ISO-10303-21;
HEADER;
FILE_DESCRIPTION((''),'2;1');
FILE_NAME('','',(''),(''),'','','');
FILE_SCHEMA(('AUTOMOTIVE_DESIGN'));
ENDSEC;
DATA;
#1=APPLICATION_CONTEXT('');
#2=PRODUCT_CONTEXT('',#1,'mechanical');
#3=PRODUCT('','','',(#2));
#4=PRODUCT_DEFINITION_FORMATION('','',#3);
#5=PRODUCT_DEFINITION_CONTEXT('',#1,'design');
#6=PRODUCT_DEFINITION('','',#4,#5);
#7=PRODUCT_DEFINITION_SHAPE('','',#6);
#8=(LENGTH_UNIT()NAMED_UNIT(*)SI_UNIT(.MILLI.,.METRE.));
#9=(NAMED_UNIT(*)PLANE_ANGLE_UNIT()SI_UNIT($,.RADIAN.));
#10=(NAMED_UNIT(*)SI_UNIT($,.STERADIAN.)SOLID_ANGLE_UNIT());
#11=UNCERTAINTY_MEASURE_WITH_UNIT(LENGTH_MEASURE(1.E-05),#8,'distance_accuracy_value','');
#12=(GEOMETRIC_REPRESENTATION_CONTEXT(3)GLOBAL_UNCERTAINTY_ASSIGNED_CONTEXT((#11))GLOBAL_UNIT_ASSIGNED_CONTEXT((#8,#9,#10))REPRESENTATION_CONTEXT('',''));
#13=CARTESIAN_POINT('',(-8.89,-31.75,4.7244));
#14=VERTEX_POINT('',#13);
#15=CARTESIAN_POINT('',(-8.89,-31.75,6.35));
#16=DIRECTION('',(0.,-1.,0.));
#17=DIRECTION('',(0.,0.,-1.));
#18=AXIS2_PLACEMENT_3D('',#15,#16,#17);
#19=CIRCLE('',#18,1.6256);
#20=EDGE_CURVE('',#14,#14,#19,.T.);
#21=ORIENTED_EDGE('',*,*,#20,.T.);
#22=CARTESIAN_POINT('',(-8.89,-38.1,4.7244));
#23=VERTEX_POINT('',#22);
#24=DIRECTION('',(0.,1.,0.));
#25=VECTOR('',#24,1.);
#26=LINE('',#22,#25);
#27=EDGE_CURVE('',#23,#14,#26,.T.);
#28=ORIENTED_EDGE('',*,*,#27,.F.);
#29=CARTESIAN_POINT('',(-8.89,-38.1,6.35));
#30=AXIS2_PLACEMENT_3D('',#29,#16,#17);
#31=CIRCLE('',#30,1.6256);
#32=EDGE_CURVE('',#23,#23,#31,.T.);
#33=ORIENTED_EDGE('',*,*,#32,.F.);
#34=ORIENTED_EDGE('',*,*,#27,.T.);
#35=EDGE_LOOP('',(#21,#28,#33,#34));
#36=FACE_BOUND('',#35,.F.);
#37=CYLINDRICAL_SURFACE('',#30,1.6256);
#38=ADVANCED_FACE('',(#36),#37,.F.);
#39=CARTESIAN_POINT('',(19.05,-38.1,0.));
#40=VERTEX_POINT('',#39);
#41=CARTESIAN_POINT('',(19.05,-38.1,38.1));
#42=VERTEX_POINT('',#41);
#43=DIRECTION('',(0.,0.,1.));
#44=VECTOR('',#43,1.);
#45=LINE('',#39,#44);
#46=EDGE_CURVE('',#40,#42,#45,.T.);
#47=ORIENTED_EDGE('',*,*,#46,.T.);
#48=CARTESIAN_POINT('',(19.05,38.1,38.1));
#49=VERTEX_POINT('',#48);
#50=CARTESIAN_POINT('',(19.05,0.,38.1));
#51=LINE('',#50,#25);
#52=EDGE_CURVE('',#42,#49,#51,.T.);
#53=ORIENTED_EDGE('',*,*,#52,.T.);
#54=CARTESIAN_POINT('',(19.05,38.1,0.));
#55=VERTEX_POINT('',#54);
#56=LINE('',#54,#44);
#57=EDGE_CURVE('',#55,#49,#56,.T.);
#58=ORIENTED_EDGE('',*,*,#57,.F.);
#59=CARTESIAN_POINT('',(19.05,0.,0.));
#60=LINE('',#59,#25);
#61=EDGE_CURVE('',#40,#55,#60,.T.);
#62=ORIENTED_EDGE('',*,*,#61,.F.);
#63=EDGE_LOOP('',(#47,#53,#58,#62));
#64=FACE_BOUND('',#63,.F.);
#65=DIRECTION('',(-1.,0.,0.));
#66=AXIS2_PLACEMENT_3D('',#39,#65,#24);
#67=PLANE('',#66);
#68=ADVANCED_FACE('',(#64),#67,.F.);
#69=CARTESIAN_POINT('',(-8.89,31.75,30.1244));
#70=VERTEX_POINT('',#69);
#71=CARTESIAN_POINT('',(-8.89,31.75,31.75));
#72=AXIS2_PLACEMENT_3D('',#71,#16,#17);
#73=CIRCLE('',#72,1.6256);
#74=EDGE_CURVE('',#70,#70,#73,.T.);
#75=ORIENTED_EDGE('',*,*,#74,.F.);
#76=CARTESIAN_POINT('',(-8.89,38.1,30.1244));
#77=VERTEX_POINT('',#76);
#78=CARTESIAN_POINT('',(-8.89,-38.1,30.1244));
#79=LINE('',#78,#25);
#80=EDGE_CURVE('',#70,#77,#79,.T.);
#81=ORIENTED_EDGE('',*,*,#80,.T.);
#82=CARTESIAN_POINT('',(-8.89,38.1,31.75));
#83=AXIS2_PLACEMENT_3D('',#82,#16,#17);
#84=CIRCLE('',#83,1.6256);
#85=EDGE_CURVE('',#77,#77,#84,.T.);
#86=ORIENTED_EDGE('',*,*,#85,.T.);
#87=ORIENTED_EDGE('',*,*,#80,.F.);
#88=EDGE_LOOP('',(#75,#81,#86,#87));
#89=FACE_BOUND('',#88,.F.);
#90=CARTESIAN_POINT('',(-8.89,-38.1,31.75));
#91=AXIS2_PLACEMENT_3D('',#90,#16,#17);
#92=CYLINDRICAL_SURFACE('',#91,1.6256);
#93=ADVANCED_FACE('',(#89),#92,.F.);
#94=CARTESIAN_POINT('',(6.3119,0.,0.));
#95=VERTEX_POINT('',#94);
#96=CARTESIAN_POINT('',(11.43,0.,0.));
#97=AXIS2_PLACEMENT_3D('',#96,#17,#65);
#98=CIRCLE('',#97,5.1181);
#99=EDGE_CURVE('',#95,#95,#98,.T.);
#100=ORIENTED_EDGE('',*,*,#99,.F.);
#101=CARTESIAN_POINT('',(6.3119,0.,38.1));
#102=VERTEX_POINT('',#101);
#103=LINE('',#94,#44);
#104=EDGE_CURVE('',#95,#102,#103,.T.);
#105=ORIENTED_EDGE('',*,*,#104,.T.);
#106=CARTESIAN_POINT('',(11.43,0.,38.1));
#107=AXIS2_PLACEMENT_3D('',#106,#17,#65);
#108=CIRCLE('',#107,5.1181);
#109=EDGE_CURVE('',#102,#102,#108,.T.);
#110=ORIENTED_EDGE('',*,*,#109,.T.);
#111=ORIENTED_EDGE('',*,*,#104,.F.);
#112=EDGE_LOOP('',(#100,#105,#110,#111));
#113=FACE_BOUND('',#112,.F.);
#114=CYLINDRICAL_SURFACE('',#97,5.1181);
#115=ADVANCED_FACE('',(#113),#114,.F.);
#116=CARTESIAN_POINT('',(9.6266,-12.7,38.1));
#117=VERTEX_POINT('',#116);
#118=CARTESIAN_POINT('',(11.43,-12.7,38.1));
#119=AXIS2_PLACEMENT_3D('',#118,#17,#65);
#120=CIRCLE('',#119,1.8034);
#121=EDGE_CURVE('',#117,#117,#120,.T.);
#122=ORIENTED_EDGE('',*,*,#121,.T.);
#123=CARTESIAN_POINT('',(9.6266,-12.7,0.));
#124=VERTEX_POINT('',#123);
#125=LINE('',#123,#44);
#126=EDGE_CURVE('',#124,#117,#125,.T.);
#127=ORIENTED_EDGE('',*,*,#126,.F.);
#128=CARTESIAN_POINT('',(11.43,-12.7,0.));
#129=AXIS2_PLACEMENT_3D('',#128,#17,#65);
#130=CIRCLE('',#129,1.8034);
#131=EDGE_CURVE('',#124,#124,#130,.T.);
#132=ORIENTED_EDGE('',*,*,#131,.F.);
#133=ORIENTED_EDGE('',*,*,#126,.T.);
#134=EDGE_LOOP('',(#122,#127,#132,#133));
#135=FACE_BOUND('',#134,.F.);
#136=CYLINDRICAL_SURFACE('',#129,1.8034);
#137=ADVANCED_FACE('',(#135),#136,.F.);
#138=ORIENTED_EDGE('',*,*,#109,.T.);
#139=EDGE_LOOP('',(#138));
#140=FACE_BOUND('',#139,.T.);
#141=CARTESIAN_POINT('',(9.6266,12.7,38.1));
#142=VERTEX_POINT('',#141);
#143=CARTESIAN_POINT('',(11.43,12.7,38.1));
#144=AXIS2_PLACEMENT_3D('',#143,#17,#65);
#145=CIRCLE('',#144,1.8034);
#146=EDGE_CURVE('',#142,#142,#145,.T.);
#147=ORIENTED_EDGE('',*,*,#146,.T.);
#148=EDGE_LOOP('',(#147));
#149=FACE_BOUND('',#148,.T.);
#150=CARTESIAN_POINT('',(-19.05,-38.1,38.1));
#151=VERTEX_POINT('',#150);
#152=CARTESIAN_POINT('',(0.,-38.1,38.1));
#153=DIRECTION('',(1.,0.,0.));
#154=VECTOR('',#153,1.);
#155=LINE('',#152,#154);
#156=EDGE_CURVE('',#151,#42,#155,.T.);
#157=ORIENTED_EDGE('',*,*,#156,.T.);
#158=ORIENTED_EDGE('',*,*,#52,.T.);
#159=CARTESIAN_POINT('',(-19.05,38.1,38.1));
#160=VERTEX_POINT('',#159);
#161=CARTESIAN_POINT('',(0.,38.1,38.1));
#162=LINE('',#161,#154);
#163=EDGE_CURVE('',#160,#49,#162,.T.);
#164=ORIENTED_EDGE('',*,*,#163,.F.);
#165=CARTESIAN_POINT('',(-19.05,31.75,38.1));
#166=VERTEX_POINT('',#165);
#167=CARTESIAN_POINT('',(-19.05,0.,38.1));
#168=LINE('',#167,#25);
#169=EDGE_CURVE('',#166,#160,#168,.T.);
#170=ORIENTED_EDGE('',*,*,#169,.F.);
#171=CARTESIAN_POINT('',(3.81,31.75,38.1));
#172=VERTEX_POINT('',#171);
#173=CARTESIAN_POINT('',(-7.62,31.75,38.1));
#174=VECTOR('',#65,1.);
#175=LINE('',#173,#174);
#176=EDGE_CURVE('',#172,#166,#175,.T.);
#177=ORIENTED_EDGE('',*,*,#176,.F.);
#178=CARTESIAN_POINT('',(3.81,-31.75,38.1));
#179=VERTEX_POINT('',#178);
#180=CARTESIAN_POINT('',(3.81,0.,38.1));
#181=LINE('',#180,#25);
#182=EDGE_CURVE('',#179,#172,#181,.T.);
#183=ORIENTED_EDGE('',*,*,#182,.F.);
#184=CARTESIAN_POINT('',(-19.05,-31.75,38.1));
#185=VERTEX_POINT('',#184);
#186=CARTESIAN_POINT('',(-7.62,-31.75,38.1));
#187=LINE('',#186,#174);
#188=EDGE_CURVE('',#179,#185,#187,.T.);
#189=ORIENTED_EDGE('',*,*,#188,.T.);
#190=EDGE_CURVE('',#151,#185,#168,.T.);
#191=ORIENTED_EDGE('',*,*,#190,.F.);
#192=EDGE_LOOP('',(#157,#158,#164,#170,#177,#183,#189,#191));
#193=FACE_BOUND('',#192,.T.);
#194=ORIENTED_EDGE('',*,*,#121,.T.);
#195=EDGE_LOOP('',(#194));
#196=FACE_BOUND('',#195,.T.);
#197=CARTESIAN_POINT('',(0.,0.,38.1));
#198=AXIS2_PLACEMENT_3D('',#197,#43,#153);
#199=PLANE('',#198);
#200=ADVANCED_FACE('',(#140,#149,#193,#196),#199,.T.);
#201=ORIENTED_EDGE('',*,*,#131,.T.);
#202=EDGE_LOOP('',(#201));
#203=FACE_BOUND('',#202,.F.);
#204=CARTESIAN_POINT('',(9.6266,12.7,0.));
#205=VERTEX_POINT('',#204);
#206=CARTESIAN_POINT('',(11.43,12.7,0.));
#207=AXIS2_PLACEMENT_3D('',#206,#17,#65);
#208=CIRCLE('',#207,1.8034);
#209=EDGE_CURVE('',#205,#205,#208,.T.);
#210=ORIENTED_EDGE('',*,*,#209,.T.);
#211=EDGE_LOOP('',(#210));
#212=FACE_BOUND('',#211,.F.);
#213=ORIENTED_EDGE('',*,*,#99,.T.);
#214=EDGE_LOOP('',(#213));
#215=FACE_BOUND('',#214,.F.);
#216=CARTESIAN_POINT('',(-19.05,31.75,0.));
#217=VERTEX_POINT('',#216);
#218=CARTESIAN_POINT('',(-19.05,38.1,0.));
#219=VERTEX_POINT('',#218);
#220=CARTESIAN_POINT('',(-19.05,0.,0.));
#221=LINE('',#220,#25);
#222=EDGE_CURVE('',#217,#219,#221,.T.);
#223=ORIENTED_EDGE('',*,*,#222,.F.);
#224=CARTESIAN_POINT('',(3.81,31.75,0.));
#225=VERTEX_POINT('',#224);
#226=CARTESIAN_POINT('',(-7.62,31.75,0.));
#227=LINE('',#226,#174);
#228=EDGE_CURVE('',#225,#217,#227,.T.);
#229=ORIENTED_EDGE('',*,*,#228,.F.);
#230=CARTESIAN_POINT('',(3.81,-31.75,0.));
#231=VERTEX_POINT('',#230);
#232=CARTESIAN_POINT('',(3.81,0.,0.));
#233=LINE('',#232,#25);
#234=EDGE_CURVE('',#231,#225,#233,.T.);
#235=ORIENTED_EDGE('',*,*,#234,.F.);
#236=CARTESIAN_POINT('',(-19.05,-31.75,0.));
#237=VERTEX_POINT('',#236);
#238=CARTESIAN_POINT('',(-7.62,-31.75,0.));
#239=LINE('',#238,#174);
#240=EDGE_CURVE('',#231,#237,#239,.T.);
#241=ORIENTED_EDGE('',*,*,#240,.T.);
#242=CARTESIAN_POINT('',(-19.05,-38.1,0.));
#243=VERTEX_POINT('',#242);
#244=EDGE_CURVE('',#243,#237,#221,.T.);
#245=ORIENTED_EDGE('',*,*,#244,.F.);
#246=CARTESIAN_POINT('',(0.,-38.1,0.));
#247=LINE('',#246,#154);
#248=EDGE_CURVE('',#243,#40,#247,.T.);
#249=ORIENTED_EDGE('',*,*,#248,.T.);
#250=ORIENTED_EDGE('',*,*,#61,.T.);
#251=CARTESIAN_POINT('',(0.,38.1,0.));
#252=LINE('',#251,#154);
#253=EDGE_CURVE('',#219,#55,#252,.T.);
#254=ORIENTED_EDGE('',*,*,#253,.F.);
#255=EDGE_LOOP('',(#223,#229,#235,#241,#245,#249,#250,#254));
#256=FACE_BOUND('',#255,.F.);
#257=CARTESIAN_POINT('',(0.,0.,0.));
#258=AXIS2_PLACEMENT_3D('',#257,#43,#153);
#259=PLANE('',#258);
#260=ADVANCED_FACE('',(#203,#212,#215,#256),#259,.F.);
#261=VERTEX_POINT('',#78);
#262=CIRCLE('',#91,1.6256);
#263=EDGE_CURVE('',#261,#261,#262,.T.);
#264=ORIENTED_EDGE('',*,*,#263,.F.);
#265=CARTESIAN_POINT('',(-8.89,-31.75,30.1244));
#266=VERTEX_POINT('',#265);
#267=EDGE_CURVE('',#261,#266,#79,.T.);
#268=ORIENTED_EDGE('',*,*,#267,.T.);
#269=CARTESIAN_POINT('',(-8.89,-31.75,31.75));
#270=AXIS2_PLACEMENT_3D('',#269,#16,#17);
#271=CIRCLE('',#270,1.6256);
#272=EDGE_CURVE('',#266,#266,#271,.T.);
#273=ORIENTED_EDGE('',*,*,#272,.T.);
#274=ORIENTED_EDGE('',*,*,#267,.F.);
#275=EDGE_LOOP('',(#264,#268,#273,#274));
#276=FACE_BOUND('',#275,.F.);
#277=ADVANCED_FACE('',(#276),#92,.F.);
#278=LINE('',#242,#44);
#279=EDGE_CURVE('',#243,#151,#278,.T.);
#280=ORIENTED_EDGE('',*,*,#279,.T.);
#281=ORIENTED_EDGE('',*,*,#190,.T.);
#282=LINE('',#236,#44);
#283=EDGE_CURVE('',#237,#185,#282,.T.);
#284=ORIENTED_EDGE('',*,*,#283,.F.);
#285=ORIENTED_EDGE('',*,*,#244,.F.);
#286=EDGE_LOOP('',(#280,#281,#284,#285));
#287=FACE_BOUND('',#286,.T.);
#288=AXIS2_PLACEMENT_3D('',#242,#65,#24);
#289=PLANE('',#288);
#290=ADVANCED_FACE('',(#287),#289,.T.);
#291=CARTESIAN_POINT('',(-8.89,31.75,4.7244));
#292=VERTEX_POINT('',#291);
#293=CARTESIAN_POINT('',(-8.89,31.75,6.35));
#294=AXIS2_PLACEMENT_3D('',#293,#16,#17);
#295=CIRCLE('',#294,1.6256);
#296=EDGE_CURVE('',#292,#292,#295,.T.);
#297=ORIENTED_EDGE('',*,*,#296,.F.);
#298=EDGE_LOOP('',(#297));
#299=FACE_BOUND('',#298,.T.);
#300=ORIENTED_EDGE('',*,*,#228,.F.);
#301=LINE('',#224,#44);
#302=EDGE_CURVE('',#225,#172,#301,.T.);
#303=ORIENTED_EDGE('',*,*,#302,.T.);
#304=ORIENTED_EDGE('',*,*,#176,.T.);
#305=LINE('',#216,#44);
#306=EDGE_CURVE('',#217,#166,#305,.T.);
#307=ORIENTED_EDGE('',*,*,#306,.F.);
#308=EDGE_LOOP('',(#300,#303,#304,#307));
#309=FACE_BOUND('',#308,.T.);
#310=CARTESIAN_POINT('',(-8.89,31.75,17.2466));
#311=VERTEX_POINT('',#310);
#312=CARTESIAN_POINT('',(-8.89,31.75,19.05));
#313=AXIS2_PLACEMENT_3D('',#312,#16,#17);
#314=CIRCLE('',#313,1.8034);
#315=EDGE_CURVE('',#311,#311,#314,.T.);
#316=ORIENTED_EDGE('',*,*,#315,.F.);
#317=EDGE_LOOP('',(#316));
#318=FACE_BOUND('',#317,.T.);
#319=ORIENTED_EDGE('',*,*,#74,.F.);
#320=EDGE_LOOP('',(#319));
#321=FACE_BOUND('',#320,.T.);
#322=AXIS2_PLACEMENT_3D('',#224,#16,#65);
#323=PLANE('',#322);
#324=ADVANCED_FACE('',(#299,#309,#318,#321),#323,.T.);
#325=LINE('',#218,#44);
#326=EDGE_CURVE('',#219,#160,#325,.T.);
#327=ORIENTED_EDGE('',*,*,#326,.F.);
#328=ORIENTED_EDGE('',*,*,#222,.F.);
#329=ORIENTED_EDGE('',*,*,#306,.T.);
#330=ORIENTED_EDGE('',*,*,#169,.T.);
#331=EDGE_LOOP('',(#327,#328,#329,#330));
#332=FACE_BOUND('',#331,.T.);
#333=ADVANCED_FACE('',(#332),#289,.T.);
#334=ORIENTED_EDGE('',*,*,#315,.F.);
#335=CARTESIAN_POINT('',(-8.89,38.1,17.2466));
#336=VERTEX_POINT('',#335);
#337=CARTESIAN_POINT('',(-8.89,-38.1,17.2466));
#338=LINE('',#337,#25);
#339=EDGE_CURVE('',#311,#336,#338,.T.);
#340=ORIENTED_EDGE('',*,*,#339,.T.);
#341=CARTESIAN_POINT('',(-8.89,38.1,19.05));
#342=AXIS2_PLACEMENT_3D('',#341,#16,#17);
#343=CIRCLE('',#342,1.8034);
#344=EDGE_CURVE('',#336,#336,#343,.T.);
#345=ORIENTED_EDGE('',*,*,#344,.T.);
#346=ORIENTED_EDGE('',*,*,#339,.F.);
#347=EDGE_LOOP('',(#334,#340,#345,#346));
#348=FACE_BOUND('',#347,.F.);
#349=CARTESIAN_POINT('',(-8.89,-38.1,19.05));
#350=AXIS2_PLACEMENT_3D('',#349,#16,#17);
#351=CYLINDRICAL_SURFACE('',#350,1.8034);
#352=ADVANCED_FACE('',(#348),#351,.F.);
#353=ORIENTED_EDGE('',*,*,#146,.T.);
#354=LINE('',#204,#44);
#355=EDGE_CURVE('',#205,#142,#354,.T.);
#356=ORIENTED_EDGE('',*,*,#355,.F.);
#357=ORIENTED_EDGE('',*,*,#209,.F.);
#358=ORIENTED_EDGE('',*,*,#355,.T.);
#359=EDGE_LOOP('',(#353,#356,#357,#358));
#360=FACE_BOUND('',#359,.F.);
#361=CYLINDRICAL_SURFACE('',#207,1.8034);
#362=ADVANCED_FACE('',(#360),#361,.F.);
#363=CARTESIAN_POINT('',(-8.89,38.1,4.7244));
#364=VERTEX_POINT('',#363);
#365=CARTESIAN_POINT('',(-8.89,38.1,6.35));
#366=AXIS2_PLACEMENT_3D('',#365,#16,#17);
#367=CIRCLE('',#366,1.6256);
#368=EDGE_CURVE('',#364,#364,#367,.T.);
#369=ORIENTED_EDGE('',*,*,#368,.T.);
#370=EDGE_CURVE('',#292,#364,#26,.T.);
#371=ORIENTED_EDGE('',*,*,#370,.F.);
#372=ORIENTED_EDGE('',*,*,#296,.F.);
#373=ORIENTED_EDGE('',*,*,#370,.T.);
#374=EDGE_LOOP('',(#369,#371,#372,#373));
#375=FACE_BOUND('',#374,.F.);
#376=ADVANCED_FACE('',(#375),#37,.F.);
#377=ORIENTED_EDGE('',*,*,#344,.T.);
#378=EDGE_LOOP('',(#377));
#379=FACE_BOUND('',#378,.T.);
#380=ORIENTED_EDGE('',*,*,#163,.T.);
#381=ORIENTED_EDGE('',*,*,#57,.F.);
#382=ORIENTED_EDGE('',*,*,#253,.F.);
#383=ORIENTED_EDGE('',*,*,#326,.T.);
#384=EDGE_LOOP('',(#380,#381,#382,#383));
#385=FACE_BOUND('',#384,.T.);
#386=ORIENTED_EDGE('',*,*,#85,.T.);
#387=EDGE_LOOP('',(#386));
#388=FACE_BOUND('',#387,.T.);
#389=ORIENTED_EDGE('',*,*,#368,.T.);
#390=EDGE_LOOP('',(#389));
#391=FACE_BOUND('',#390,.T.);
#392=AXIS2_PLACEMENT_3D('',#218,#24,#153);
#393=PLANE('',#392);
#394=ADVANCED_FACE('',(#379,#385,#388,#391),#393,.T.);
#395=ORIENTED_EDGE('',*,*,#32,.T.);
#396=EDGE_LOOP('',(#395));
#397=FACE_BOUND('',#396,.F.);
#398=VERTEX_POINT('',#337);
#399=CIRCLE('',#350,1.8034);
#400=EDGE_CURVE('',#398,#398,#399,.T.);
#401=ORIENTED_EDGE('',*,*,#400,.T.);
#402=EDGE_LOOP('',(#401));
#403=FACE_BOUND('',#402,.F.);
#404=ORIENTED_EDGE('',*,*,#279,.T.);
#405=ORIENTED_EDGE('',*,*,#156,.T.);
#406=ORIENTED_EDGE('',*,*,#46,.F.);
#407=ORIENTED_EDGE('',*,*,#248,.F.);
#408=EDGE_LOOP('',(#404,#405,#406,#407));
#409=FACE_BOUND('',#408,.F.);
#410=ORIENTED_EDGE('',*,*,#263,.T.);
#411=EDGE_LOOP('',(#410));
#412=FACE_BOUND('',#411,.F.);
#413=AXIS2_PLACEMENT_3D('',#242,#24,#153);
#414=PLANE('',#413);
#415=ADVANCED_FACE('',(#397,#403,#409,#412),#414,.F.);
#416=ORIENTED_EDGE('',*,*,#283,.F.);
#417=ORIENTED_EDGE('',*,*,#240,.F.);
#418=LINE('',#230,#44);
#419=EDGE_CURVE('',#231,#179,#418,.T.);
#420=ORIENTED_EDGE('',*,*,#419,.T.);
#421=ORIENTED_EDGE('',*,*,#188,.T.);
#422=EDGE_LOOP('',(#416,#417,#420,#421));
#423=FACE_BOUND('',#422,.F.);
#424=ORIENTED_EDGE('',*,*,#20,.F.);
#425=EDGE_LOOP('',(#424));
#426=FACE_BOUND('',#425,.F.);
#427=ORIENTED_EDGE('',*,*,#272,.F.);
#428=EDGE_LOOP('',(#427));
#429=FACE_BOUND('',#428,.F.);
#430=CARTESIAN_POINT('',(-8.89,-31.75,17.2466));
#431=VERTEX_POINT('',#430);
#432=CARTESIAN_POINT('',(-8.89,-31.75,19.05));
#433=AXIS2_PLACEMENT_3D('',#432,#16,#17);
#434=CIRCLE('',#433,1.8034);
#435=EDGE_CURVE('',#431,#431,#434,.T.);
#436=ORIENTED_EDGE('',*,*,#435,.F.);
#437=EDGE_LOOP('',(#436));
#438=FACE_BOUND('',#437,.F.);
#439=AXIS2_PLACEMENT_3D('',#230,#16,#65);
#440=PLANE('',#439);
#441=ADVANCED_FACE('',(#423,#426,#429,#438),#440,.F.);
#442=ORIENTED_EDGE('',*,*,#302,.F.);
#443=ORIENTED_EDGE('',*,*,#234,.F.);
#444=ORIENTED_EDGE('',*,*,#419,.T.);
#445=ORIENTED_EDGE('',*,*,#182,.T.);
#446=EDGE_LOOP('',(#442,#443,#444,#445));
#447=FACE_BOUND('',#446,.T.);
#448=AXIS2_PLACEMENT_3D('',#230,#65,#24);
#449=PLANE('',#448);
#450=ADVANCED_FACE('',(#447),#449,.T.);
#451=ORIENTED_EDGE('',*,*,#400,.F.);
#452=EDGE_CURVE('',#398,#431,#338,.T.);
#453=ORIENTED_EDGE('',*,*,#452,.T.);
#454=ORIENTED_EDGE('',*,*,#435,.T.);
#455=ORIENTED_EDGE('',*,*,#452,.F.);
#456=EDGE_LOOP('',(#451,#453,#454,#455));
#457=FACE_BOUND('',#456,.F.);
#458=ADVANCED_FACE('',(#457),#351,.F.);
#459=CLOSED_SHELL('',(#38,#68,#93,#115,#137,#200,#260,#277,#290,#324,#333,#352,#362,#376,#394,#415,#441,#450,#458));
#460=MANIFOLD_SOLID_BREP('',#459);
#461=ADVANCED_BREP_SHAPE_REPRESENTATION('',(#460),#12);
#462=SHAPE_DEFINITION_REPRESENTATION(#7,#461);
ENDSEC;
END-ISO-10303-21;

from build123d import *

# Parameters (mm, degrees)
SKETCH1_W           = 38.1
SKETCH1_H           = 76.2
BOSS_EXTRUDE1_DEPTH = 38.1
SKETCH2_W           = 22.86
SKETCH2_H           = 63.5
CUT_EXTRUDE1_DEPTH  = 38.1
SKETCH3_R           = 5.1181
SKETCH3_R_2         = 1.8034
CUT_EXTRUDE2_DEPTH  = 38.1
SKETCH4_R           = 1.6256
SKETCH4_R_2         = 1.8034
CUT_EXTRUDE3_DEPTH  = 76.2


with BuildPart() as part:
    # Sketch1 → Boss-Extrude1 (new body)
    with BuildSketch(Plane.XY):
        Rectangle(SKETCH1_W, SKETCH1_H)
    extrude(amount=BOSS_EXTRUDE1_DEPTH)

    # Sketch2 → Cut-Extrude1 (cut)
    with BuildSketch(Plane(origin=(0, 0, 0), x_dir=(-1, 0, 0), z_dir=(0, 0, -1))):
        with Locations((7.62, 0)):
            Rectangle(SKETCH2_W, SKETCH2_H)
    extrude(amount=-CUT_EXTRUDE1_DEPTH, mode=Mode.SUBTRACT)

    # Sketch3 → Cut-Extrude2 (cut)
    with BuildSketch(Plane(origin=(0, 0, 0), x_dir=(-1, 0, 0), z_dir=(0, 0, -1))):
        with Locations((-11.43, 0)):
            Circle(SKETCH3_R)
        with Locations((-11.43, -12.7)):
            Circle(SKETCH3_R_2)
        with Locations((-11.43, 12.7)):
            Circle(SKETCH3_R_2)
    extrude(amount=-CUT_EXTRUDE2_DEPTH, mode=Mode.SUBTRACT)

    # Sketch4 → Cut-Extrude3 (cut)
    with BuildSketch(Plane(origin=(0, -38.1, 0), x_dir=(-1, 0, 0), z_dir=(0, -1, 0))):
        with Locations(Location((8.89, -6.35, 0), (0, 0, 90))):
            Circle(SKETCH4_R)
        with Locations(Location((8.89, -19.05, 0), (0, 0, 90))):
            Circle(SKETCH4_R_2)
        with Locations(Location((8.89, -31.75, 0), (0, 0, 90))):
            Circle(SKETCH4_R)
    extrude(amount=-CUT_EXTRUDE3_DEPTH, mode=Mode.SUBTRACT)


solid = part.part
